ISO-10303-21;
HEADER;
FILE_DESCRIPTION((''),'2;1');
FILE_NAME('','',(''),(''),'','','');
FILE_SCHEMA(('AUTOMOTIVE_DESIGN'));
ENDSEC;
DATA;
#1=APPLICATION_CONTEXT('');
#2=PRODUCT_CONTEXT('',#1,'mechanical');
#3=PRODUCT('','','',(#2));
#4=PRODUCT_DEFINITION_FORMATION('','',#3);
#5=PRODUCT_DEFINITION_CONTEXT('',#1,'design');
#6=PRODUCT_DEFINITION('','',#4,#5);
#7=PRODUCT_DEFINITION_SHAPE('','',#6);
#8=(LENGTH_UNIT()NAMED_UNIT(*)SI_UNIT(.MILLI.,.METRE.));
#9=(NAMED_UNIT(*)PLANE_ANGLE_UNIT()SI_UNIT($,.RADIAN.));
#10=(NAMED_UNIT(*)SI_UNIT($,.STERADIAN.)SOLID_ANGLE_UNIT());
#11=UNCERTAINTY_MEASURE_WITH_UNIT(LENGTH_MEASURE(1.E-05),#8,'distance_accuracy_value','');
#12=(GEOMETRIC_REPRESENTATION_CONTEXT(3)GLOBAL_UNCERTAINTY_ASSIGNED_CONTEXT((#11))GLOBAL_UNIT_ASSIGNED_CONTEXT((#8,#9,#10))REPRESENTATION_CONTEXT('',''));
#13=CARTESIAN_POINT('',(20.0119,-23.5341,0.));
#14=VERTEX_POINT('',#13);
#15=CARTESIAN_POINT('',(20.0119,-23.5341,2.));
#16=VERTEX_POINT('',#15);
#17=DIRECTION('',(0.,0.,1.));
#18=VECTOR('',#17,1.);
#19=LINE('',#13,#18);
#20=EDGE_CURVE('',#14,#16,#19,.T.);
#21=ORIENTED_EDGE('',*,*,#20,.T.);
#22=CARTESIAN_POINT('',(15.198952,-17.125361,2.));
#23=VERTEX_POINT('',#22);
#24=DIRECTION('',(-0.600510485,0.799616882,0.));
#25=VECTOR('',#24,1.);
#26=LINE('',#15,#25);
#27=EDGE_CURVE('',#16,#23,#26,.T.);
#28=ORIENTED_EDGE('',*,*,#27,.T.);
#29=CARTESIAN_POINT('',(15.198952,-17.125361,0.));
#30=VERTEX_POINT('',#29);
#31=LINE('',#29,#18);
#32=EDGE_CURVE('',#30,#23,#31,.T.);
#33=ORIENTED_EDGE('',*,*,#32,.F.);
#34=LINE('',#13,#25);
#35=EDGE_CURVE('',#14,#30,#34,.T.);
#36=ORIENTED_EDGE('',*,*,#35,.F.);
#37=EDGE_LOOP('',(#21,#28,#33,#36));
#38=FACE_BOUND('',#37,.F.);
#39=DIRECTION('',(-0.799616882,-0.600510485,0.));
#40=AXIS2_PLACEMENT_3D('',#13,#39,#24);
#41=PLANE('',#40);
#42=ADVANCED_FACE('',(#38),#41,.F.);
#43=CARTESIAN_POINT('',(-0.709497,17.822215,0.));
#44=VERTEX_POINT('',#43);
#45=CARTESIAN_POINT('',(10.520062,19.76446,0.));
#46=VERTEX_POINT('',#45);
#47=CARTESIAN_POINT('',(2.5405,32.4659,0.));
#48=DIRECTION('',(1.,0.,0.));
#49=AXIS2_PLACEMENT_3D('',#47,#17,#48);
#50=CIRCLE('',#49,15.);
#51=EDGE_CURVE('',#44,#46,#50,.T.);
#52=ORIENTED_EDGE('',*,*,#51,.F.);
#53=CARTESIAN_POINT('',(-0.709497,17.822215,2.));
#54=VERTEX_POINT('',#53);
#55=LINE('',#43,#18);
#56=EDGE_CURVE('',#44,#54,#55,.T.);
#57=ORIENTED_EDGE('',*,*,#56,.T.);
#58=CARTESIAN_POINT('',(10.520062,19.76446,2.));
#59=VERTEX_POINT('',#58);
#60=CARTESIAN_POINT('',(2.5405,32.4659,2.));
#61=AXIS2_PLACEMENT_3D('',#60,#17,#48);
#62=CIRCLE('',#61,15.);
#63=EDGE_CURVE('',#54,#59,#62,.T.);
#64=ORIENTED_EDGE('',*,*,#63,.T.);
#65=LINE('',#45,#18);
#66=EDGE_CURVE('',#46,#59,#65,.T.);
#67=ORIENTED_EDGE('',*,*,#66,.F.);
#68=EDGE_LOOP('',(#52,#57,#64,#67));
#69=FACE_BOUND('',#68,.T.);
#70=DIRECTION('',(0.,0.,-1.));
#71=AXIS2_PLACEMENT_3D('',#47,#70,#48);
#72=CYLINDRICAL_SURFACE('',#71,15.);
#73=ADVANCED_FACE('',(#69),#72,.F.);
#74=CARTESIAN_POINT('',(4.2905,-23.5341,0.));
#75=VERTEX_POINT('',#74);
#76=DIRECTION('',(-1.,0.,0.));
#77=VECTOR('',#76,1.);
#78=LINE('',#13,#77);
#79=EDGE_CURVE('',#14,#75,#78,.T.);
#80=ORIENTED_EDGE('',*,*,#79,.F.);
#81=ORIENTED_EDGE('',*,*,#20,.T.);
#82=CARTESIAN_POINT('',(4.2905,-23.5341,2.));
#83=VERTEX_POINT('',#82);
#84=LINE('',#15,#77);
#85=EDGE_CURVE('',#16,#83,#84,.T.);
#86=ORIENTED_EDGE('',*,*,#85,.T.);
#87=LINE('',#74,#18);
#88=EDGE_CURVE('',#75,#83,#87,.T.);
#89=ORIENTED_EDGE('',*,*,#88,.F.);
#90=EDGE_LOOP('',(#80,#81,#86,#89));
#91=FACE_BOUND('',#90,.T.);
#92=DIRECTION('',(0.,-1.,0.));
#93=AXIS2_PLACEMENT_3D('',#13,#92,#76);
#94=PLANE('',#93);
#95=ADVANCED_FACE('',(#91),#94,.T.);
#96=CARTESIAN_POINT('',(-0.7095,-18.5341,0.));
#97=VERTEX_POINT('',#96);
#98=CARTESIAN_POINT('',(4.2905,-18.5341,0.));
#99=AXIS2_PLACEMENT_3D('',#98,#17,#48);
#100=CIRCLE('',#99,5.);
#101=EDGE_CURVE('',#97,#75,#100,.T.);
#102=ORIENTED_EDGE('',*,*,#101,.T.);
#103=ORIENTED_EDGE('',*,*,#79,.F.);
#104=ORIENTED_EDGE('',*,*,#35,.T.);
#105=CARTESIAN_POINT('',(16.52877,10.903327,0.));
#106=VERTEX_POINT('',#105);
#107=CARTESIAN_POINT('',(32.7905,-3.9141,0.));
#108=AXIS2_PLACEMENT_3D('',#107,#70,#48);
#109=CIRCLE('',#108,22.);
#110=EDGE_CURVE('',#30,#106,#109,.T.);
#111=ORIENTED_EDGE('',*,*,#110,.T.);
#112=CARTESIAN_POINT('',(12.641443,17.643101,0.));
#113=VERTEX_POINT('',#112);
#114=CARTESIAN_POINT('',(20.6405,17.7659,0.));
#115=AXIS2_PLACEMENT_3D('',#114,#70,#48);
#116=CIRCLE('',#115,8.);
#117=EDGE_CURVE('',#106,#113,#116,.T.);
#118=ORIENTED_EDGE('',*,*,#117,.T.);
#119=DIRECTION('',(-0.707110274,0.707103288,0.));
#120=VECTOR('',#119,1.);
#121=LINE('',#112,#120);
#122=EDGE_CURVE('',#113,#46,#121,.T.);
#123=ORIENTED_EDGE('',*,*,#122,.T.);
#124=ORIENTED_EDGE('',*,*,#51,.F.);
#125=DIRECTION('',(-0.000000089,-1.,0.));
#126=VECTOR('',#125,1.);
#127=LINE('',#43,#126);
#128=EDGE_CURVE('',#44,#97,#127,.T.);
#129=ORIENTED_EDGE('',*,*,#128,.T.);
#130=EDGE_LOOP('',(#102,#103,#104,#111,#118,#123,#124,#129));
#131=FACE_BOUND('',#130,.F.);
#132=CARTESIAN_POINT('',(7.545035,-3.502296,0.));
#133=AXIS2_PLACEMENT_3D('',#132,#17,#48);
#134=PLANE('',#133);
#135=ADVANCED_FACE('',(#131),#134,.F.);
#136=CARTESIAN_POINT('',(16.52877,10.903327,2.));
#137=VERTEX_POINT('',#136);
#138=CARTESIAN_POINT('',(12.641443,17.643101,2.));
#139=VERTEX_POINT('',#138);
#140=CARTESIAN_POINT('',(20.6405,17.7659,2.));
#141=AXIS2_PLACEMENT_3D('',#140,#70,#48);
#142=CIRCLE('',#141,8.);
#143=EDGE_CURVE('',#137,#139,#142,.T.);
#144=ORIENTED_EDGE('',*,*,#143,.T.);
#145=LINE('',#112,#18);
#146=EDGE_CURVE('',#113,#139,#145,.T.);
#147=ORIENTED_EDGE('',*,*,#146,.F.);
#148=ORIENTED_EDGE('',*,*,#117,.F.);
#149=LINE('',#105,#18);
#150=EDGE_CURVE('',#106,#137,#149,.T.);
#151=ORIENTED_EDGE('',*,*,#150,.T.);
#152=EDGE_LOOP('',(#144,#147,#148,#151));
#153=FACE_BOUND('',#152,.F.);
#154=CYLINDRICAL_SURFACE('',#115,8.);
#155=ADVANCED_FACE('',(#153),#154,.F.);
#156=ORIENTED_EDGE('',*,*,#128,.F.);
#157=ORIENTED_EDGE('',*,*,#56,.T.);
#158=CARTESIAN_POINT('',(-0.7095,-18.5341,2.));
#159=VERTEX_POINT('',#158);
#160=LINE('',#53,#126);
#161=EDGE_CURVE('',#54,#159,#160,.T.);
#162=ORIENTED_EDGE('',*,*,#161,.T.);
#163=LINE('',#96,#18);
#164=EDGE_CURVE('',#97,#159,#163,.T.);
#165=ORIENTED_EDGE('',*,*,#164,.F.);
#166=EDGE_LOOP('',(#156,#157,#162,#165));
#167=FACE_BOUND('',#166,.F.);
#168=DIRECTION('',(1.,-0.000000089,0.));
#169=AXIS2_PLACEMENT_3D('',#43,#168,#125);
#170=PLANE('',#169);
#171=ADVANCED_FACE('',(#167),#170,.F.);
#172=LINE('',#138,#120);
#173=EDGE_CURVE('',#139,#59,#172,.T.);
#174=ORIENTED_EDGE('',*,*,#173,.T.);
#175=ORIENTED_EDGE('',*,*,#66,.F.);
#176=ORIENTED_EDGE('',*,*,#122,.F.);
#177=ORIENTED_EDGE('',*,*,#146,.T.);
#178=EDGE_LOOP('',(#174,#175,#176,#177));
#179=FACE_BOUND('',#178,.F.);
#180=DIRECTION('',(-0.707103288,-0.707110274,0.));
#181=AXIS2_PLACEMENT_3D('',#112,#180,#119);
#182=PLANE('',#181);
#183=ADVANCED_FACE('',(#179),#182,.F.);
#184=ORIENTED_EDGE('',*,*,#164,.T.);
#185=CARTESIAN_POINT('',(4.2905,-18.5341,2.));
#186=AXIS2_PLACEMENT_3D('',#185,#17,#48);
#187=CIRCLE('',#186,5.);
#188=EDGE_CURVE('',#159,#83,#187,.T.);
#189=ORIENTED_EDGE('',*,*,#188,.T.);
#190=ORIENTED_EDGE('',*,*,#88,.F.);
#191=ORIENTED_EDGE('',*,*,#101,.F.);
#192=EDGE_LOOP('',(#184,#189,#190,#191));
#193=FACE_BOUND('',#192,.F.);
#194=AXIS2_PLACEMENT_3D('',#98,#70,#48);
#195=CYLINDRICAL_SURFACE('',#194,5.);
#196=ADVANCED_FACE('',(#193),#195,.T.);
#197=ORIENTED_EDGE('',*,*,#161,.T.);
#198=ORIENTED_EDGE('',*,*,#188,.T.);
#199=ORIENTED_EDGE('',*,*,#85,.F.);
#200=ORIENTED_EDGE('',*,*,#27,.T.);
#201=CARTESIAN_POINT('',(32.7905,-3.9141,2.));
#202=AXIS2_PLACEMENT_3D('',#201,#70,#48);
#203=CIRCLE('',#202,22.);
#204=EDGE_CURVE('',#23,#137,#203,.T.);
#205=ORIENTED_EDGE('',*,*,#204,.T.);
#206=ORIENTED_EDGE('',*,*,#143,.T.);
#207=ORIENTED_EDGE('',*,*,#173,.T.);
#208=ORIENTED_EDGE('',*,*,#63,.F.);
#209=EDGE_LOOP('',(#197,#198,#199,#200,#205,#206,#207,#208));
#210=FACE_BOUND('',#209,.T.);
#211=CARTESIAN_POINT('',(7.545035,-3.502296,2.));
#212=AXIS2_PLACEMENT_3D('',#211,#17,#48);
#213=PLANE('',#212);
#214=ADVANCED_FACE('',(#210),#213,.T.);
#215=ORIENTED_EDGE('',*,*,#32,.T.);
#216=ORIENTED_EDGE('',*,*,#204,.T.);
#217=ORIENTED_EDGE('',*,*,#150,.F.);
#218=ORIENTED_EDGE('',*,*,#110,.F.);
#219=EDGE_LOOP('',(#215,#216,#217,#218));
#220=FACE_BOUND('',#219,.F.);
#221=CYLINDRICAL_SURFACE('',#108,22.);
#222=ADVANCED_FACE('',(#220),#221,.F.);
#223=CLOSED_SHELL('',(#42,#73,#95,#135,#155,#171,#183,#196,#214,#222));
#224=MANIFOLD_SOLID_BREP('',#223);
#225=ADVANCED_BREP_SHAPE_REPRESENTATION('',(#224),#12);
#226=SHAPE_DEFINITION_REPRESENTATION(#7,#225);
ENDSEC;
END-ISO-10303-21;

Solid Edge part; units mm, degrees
sketch "Sketch1" plane through (0, 0, 0) normal (0, 0, 1) x (1, 0, 0)
  arc A0 (15.1989, -17.1254) -> (16.5288, 10.9033) centre (32.7905, -3.9141) cw
  arc A1 (16.5288, 10.9033) -> (12.6414, 17.6431) centre (20.6405, 17.7659) cw
  line L0 (12.6414, 17.6431) -> (10.5201, 19.7644)
  arc A2 (-0.7095, 17.8222) -> (10.5201, 19.7644) centre (2.5405, 32.4659) ccw
  line L1 (-0.7095, 17.8222) -> (-0.7095, -18.5341)
  arc A3 (-0.7095, -18.5341) -> (4.2905, -23.5341) centre (4.2905, -18.5341) ccw
  line L2 (20.0119, -23.5341) -> (4.2905, -23.5341)
  line L3 (20.0119, -23.5341) -> (15.1989, -17.1254)
  dimension "D1" = 22
  dimension "D2" = 55.4581
  dimension "D3" = 4
  dimension "D4" = 4
  dimension "D5" = 5
  dimension "D6" = 15
  dimension "D7" = 3
  dimension "D8" = 8
extrude "Protrusion1" add sketch "Sketch1" along normal blind 2
